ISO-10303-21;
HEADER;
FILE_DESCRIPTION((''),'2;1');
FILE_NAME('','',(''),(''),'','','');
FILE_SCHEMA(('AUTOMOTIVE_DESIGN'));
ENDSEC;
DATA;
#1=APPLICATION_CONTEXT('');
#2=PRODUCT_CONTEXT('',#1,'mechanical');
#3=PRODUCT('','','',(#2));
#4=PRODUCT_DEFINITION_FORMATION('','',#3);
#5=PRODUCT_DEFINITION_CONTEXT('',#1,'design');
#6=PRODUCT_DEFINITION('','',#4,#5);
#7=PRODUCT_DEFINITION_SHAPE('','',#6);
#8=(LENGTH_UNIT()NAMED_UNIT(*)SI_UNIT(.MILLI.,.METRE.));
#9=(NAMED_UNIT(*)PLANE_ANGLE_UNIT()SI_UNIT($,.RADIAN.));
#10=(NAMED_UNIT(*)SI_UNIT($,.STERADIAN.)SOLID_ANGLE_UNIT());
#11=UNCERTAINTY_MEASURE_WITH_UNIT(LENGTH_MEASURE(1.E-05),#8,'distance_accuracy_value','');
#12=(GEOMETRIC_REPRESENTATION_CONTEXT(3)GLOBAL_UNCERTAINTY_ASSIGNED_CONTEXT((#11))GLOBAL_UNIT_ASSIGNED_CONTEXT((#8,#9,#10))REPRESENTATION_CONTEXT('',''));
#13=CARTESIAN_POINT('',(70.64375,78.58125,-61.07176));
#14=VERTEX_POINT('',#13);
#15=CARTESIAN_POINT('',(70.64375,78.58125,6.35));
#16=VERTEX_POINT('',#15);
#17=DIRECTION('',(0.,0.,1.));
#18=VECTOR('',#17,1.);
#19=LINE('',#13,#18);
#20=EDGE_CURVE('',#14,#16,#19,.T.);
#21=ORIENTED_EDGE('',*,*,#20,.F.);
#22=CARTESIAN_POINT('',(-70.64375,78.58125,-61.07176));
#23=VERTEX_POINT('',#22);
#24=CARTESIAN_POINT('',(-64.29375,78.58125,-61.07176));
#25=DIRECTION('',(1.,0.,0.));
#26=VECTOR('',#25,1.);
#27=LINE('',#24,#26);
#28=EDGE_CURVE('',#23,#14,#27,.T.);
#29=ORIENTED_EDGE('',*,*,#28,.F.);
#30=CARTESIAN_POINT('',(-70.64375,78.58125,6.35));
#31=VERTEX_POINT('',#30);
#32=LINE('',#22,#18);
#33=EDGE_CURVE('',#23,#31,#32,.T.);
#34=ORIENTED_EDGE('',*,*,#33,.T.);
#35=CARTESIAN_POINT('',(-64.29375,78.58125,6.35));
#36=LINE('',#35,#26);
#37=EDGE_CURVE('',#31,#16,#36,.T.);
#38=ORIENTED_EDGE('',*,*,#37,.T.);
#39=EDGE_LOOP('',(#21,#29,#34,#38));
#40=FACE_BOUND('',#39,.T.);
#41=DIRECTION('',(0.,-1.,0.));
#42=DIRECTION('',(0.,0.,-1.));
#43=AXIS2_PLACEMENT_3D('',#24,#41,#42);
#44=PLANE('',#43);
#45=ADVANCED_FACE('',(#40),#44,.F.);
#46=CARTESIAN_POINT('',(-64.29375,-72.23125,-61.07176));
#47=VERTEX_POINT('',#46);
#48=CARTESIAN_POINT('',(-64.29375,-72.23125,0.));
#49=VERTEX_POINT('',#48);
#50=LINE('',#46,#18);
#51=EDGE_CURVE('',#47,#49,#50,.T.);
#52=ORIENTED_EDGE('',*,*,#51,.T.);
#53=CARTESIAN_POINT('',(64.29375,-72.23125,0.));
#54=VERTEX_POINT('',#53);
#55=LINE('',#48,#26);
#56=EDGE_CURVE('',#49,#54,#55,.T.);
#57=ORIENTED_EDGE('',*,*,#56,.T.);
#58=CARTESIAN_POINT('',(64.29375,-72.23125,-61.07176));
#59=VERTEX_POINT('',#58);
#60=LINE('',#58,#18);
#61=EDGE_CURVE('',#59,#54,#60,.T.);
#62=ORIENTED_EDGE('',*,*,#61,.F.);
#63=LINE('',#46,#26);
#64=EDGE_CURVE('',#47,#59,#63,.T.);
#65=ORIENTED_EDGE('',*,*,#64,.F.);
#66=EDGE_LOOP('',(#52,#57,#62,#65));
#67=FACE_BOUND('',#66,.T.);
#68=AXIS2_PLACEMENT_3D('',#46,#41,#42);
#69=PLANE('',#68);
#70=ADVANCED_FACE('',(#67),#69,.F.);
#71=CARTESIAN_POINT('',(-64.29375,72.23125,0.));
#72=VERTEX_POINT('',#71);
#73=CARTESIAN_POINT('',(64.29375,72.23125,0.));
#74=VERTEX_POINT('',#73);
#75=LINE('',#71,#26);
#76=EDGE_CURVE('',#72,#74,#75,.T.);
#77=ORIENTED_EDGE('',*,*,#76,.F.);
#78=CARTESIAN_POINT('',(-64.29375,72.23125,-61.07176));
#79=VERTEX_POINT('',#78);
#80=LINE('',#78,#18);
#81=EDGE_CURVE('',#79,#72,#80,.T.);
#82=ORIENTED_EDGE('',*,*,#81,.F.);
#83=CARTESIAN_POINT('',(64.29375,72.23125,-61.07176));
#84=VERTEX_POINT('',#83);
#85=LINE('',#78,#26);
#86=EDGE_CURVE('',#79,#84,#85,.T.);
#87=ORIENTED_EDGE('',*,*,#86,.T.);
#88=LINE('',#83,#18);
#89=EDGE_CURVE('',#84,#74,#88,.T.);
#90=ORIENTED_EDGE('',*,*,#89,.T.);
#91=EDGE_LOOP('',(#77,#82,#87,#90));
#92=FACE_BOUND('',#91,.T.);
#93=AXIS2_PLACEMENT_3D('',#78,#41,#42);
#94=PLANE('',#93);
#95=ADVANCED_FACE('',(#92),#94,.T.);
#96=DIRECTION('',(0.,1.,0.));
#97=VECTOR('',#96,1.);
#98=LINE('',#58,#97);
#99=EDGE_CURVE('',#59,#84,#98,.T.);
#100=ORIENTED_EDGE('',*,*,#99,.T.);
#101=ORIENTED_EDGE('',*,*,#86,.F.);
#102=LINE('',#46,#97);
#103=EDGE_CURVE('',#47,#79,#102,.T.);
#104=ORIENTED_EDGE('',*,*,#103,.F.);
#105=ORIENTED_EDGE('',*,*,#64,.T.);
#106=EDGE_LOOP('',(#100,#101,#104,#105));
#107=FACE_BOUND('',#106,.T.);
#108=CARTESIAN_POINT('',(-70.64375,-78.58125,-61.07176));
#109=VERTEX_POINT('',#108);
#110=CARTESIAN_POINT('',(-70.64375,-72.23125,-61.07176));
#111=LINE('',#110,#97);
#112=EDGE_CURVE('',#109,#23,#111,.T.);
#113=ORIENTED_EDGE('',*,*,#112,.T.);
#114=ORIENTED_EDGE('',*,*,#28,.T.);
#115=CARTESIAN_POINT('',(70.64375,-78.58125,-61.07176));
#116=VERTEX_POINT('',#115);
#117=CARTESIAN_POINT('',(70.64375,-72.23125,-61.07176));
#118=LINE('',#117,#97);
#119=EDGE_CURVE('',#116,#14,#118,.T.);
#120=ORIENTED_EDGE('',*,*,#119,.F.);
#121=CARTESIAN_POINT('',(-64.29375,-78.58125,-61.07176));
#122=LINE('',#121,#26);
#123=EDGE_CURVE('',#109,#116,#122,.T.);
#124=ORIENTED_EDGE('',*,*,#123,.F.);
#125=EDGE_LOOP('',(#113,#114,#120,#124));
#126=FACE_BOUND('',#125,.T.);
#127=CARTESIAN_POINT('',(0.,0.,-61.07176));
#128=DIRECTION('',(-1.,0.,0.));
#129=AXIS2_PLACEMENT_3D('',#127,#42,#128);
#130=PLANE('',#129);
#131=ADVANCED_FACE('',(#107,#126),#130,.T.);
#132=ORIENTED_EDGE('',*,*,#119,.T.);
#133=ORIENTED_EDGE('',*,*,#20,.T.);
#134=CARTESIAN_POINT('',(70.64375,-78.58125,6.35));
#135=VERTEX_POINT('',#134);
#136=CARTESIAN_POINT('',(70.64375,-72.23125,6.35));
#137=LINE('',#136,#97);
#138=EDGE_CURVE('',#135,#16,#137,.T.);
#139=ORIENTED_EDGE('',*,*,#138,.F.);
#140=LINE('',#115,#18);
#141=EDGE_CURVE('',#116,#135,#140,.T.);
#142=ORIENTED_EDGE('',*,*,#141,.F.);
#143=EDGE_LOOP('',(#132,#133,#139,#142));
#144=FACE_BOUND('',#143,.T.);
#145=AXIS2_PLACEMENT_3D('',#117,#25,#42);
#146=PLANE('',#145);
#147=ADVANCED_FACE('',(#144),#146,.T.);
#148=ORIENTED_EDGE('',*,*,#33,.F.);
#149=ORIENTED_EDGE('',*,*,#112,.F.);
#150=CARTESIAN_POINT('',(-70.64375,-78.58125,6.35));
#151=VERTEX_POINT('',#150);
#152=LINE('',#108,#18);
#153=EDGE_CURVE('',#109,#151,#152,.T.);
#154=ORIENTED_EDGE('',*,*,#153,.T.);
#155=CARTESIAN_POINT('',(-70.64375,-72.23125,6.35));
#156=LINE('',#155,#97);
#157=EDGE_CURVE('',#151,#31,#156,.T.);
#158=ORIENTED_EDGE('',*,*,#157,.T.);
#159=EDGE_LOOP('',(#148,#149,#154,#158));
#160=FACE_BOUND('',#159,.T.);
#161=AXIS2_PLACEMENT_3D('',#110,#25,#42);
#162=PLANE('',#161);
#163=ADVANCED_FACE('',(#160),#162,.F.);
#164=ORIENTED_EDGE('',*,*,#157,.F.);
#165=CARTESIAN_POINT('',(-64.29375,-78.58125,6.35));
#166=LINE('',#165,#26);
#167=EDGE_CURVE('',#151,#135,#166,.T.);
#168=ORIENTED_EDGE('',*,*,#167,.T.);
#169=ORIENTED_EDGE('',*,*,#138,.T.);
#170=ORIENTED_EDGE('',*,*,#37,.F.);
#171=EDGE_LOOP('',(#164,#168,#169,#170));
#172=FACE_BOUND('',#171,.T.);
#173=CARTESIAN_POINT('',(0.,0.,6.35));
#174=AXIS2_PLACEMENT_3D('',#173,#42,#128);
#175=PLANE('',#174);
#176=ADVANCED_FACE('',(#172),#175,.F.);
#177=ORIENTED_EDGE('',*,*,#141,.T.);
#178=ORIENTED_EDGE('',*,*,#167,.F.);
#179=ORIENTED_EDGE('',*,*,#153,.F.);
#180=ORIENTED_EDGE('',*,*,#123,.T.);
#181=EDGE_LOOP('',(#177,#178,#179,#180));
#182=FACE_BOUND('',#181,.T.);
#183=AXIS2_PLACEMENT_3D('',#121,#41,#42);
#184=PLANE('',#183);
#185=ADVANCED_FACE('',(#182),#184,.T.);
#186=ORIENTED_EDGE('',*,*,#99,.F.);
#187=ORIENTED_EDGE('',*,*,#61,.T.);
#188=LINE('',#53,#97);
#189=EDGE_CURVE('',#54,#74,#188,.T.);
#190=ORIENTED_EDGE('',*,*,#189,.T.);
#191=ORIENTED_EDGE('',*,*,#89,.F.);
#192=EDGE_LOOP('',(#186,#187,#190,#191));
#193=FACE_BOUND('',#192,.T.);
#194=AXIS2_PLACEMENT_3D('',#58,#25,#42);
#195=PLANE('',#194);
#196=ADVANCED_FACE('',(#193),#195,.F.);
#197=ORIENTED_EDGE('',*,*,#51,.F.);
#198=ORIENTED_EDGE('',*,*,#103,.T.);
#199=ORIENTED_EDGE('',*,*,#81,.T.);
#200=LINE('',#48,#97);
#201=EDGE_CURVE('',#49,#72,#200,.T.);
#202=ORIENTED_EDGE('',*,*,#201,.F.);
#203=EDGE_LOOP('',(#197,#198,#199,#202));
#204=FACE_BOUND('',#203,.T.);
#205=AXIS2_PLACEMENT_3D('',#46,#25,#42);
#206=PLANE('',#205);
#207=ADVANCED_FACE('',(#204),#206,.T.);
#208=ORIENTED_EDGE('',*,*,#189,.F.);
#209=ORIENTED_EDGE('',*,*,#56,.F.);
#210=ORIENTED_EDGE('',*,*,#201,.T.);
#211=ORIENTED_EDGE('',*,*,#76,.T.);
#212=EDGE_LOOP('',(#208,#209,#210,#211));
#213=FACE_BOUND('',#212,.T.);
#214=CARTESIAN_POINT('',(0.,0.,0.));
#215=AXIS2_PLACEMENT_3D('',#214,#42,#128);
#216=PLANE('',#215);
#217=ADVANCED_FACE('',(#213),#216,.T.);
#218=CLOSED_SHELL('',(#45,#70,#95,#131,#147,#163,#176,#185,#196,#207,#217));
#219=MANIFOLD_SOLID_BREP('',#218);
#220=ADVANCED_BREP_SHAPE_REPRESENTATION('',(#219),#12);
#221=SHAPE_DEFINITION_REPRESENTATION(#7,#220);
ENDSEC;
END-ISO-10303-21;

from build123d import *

# Parameters (mm, degrees)
SKETCH1_W           = 128.5875
SKETCH1_H           = 144.4625
BOSS_EXTRUDE1_DEPTH = 61.07176
SHELL1_T            = 6.35


with BuildPart() as part:
    # Sketch1 → Boss-Extrude1 (new body)
    with BuildSketch(Plane.XY):
        Rectangle(SKETCH1_W, SKETCH1_H)
    extrude(amount=-BOSS_EXTRUDE1_DEPTH)

    # Shell1
    shell1_openings = [part.faces().sort_by_distance(p)[0] for p in [
        (0, 0, -61.07176),
    ]]
    offset(amount=SHELL1_T, openings=shell1_openings, kind=Kind.INTERSECTION)


solid = part.part
